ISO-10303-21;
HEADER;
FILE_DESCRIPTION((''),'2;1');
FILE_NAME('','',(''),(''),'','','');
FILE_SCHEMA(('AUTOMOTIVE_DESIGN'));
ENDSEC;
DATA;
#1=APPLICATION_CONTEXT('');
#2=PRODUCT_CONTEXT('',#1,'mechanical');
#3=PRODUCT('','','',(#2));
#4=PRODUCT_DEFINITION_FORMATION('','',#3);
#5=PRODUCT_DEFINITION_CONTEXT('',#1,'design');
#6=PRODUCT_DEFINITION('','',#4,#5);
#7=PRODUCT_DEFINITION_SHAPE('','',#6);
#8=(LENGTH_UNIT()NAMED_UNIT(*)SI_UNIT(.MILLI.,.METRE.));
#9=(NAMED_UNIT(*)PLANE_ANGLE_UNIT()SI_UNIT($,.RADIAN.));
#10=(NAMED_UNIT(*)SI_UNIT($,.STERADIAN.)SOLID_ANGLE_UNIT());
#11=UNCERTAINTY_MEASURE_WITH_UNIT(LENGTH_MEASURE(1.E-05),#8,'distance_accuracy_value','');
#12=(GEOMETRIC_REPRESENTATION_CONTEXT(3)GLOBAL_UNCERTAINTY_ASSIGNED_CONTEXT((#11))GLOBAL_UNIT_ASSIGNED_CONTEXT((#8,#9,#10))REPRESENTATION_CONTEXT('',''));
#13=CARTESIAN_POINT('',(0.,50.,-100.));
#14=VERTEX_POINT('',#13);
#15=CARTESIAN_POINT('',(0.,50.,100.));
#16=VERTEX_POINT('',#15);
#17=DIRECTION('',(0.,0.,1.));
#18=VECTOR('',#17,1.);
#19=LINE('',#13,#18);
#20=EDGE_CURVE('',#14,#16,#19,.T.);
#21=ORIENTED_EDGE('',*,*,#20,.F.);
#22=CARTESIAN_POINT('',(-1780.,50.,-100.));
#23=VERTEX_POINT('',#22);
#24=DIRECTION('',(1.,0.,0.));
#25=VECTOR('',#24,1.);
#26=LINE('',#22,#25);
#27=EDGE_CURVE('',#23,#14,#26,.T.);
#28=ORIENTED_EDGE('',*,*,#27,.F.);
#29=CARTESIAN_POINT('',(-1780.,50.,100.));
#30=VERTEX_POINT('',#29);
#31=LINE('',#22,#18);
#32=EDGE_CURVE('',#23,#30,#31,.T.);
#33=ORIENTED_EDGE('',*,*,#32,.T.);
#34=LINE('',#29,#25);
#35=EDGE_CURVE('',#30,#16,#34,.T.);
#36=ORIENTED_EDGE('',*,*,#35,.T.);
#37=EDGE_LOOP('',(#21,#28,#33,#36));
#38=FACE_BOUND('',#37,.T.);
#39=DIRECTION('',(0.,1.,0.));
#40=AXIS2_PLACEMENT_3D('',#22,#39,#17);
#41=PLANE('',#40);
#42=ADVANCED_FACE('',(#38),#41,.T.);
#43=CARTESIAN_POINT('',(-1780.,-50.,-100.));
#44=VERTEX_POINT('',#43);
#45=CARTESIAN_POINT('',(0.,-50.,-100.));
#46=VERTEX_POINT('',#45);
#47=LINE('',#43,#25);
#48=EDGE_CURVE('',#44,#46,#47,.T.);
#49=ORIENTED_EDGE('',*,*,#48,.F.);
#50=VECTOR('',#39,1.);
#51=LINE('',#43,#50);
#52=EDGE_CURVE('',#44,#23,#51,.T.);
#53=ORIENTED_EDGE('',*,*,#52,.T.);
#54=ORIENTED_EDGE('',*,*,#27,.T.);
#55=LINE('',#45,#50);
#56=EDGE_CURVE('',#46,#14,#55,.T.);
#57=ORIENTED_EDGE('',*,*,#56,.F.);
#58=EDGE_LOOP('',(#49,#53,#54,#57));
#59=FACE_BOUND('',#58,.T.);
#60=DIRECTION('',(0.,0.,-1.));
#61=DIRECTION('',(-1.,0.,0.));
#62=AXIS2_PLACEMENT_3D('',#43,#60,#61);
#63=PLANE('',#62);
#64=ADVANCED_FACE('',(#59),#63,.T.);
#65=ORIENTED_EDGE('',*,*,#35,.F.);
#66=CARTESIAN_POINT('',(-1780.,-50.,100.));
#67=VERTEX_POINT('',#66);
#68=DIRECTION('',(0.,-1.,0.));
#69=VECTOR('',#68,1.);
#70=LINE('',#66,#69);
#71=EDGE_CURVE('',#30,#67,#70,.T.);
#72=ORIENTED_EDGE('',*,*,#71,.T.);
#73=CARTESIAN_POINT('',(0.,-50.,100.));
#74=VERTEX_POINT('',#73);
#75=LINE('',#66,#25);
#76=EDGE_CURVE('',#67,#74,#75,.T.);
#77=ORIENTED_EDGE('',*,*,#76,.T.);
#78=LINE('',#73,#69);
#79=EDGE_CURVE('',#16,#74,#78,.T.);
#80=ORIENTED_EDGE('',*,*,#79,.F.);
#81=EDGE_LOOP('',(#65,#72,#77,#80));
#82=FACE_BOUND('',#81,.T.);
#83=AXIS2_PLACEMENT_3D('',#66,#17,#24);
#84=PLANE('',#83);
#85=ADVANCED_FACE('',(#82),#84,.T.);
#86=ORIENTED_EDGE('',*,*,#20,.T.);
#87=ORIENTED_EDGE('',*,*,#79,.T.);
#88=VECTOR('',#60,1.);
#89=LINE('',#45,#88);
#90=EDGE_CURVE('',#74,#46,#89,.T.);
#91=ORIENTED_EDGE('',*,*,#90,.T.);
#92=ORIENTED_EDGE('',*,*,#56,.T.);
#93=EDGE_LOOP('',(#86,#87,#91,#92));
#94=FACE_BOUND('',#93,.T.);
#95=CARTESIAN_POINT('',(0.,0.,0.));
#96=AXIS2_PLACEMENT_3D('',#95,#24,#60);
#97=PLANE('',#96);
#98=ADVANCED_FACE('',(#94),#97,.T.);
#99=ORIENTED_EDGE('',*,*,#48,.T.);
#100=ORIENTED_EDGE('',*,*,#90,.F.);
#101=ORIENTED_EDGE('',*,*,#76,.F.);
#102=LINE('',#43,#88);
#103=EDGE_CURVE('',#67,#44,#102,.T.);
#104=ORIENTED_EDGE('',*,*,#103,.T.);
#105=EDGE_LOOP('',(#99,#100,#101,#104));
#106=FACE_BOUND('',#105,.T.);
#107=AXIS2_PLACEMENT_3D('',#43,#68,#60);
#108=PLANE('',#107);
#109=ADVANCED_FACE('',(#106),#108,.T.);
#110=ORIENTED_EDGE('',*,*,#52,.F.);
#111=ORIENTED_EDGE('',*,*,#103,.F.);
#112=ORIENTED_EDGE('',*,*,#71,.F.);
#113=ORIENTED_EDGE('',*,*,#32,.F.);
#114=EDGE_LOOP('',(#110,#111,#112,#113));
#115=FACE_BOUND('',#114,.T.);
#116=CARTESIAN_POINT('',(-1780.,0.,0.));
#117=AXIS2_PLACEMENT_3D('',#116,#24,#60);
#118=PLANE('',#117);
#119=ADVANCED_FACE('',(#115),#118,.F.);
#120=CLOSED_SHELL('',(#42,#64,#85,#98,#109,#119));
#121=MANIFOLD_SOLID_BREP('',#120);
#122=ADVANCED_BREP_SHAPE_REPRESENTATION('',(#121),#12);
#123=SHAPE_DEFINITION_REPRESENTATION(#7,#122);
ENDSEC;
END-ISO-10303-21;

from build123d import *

# Parameters (mm, degrees)
SKETCH_1_W      = 200
SKETCH_1_H      = 100
EXTRUDE_1_DEPTH = 1780


with BuildPart() as part:
    # 草图1 → 凸台-拉伸1 (new body)
    with BuildSketch(Plane(origin=(0, 0, 0), x_dir=(0, 0, -1), z_dir=(1, 0, 0))):
        Rectangle(SKETCH_1_W, SKETCH_1_H)
    extrude(amount=-EXTRUDE_1_DEPTH)


solid = part.part
